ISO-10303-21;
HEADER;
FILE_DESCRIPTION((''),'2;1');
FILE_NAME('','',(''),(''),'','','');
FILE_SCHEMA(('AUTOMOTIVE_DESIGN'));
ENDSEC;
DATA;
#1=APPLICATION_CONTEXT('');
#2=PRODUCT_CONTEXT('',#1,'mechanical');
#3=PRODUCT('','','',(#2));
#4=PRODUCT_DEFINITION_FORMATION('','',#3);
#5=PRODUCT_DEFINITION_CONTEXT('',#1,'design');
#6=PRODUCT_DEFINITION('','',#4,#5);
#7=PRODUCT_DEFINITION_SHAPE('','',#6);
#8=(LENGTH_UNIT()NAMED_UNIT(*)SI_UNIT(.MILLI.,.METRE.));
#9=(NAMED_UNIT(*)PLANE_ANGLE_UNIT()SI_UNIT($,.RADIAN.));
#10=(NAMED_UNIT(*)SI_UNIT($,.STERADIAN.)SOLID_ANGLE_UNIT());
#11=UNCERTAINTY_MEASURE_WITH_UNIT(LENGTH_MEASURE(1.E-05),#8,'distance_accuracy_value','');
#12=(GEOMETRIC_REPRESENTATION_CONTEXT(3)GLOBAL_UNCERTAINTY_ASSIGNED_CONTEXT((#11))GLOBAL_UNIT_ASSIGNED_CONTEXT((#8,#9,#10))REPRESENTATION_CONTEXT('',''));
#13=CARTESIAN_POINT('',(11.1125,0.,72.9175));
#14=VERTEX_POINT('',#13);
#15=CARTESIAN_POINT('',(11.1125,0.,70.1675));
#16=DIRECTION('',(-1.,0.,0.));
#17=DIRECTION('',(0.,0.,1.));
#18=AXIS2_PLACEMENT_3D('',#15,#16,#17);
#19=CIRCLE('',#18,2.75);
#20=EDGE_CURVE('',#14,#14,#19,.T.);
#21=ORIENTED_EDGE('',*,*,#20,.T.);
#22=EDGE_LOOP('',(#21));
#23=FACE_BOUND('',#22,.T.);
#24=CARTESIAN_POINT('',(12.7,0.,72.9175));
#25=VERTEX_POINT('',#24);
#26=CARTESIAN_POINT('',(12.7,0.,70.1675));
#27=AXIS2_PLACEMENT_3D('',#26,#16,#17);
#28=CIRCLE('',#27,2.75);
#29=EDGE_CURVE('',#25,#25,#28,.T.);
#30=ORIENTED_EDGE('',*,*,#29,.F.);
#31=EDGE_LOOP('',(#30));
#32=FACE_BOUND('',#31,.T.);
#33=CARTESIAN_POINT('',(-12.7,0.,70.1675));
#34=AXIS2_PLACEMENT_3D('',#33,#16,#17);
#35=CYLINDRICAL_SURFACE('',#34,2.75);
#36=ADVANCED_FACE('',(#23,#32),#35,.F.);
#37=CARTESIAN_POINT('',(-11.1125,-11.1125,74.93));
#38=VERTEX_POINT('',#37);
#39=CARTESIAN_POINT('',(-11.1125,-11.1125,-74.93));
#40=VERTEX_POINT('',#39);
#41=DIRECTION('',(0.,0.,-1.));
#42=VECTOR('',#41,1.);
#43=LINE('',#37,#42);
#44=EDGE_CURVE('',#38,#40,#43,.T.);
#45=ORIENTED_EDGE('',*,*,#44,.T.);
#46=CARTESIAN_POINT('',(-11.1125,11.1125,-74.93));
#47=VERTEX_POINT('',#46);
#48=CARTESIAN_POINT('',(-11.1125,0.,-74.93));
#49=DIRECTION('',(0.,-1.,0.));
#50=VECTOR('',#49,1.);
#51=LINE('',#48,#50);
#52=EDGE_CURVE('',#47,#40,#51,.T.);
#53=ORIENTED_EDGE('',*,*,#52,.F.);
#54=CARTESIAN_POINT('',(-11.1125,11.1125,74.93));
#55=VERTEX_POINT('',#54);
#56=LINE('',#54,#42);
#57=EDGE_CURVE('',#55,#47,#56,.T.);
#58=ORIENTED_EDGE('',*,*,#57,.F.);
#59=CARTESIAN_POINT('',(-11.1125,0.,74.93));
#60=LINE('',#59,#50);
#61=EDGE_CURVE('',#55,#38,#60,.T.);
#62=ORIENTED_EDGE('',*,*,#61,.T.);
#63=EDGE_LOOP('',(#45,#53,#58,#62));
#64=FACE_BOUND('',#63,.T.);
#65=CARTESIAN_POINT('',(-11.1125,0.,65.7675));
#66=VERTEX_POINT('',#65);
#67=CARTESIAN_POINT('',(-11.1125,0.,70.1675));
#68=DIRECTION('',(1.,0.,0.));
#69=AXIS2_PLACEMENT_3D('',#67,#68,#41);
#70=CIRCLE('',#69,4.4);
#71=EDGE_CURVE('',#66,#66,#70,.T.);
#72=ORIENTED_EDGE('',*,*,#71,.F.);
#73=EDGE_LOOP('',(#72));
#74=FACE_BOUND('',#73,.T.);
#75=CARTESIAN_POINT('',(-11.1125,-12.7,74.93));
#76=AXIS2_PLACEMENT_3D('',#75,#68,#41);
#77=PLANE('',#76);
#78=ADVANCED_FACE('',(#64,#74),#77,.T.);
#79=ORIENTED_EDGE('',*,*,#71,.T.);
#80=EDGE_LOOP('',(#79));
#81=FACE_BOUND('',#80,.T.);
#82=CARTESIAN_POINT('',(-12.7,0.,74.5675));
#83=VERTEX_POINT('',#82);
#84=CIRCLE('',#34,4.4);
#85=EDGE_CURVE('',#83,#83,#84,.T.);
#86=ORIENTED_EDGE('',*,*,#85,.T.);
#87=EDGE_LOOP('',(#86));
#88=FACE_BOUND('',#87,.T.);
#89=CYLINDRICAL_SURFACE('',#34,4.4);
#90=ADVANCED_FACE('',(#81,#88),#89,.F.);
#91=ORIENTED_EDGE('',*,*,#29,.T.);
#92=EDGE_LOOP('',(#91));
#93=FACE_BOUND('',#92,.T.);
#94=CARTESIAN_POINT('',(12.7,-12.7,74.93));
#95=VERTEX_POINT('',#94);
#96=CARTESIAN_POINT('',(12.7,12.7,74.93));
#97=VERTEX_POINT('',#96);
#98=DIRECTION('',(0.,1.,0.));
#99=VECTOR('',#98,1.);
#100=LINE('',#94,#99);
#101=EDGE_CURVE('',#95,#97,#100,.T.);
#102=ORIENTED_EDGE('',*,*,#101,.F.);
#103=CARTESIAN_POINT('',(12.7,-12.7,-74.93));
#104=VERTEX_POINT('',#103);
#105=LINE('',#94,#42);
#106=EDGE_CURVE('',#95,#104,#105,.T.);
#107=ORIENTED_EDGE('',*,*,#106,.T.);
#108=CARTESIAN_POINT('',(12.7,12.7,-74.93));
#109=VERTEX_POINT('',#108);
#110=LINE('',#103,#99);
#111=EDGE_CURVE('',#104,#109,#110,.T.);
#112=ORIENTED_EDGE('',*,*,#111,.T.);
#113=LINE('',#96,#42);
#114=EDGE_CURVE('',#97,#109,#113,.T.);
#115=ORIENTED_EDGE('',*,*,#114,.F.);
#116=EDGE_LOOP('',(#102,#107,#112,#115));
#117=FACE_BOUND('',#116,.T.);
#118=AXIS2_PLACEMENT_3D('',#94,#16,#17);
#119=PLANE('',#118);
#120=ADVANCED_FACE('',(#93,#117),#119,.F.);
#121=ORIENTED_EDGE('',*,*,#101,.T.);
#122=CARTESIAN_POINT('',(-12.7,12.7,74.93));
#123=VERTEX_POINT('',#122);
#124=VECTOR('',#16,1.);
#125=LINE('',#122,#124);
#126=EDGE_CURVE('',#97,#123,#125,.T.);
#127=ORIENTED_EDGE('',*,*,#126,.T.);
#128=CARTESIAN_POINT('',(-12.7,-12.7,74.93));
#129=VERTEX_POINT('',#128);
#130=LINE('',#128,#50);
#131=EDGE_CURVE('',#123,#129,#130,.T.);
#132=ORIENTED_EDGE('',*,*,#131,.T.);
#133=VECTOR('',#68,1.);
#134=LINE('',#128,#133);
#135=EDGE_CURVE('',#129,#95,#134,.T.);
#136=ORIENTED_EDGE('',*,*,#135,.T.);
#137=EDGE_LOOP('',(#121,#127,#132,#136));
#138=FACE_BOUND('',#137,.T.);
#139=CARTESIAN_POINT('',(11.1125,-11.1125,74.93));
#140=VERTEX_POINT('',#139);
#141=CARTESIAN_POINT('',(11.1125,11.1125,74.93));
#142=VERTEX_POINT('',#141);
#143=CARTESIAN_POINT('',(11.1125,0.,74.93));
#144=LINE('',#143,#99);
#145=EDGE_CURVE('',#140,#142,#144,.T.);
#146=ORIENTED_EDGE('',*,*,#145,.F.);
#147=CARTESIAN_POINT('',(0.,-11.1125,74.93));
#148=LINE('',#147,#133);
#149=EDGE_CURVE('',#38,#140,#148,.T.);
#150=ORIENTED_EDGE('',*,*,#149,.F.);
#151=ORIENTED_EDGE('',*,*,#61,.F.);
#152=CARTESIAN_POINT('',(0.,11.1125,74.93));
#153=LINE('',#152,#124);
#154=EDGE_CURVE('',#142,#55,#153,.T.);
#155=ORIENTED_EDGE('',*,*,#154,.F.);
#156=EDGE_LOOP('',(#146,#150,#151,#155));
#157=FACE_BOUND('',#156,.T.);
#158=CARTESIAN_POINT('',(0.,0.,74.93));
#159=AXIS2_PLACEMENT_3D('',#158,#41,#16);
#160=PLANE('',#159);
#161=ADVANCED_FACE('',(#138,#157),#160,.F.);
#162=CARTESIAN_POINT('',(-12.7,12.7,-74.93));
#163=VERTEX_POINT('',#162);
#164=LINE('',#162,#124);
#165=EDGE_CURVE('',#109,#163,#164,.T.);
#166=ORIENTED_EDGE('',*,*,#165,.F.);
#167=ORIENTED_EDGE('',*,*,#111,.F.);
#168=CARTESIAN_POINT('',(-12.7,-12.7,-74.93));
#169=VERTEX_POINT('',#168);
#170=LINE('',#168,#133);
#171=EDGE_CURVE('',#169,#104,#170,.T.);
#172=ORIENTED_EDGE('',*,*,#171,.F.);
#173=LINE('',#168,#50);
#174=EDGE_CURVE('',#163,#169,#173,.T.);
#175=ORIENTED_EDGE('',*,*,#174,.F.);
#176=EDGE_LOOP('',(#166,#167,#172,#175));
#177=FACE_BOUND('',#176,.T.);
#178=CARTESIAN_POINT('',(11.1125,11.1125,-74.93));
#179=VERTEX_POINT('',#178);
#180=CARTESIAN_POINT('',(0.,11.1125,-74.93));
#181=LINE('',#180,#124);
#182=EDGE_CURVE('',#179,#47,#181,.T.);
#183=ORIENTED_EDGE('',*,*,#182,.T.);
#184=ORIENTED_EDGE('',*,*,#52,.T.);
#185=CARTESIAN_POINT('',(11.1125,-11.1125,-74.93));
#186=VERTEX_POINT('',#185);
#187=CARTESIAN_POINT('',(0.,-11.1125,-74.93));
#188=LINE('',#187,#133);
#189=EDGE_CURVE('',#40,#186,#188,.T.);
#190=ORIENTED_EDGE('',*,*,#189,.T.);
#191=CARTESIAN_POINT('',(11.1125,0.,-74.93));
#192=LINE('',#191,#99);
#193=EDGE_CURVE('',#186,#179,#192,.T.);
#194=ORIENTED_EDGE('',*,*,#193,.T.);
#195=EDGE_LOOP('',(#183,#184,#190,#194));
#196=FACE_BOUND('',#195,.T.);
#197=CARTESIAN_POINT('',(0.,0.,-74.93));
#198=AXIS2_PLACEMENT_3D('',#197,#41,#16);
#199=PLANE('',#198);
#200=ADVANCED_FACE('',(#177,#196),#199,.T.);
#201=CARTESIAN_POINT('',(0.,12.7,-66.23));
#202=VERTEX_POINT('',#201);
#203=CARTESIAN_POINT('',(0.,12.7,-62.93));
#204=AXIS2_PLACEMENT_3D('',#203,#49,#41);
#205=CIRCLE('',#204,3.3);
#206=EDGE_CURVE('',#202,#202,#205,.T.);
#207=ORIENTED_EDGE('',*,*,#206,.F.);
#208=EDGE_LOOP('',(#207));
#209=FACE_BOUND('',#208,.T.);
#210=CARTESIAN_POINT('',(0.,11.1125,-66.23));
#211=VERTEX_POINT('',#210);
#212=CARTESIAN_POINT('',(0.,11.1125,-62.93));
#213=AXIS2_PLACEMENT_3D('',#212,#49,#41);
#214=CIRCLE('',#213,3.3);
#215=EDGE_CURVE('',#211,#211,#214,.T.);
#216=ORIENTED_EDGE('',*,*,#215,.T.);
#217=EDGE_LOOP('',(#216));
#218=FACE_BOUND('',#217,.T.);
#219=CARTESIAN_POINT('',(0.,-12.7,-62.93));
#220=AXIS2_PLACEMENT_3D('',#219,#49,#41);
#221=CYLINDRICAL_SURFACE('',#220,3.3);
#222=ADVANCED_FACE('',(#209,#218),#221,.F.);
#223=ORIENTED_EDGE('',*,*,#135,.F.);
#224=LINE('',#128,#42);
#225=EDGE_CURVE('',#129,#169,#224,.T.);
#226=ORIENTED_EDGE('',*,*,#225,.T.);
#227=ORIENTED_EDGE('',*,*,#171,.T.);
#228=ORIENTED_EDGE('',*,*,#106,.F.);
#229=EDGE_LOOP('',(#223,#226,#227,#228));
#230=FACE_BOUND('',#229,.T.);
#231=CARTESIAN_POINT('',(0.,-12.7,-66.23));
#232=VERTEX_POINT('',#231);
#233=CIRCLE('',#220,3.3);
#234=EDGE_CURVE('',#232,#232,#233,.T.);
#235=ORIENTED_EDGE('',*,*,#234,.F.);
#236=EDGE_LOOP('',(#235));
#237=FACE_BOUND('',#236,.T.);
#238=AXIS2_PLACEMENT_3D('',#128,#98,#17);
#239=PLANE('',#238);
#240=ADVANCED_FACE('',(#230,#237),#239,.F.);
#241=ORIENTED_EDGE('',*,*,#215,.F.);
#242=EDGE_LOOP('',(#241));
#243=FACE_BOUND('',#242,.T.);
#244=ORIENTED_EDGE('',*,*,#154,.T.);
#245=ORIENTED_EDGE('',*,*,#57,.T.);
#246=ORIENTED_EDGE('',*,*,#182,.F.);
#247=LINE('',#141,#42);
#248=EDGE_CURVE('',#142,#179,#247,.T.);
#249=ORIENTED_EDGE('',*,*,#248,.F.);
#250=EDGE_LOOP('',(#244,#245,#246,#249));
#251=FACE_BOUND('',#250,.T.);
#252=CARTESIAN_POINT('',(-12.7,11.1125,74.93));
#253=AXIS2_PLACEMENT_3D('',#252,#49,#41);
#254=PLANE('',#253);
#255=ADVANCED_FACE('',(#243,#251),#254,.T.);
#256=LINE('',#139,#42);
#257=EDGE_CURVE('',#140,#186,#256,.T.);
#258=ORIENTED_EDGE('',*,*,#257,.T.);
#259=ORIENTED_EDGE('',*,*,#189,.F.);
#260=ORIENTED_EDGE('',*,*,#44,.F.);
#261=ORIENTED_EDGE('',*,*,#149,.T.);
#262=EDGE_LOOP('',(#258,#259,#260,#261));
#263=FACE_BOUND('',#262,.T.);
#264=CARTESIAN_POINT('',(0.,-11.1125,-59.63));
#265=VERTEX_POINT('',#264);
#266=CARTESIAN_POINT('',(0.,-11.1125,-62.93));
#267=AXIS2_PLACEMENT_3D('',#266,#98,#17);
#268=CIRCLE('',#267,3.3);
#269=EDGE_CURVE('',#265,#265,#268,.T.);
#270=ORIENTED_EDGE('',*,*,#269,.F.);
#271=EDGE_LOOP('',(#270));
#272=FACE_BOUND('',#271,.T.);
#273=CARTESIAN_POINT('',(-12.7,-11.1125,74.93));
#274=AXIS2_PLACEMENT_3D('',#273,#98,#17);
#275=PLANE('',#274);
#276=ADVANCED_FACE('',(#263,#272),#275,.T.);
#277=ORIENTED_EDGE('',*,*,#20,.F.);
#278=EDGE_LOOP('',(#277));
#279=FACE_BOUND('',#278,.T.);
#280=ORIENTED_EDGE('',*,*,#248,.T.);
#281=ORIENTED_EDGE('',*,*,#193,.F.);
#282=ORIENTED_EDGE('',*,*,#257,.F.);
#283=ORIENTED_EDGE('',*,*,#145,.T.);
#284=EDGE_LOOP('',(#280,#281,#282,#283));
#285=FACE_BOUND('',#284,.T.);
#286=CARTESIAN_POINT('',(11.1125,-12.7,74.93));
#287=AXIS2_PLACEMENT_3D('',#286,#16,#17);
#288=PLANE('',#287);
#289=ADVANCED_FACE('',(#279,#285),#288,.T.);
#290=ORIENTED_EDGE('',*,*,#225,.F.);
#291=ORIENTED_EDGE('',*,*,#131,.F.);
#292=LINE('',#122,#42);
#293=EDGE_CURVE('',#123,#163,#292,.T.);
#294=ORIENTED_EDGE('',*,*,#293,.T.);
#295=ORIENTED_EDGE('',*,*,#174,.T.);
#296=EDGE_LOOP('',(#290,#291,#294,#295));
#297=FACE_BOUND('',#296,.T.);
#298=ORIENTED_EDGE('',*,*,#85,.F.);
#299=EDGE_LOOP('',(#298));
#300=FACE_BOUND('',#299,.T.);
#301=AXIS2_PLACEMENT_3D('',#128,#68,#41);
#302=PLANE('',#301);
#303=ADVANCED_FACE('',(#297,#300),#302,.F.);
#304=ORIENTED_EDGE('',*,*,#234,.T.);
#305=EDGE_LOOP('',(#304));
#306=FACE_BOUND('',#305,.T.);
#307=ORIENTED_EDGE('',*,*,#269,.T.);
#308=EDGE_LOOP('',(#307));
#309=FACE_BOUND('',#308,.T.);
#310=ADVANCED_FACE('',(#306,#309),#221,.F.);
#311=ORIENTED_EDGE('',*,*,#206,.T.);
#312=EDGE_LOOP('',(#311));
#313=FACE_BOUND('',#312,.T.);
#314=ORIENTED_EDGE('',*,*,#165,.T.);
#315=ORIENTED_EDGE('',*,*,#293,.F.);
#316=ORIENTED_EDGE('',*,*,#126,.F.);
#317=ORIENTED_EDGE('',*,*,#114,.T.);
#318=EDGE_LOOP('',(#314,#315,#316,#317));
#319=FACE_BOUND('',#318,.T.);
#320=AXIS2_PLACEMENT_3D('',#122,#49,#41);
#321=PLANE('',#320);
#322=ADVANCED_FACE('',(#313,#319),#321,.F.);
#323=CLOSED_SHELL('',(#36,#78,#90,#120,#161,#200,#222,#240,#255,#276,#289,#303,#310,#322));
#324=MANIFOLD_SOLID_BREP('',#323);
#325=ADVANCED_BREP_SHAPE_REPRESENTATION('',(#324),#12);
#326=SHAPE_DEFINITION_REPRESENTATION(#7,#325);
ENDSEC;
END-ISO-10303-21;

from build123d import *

# Parameters (mm, degrees)
SKETCH1_W                      = 25.4
SKETCH1_H                      = 25.4
BOSS_EXTRUDE1_DEPTH            = 74.93
SHELL1_T                       = -1.5875
CBORE_FOR_M5_SHCS1_D           = 5.5
CBORE_FOR_M5_SHCS1_CBORE_D     = 8.8
CBORE_FOR_M5_SHCS1_CBORE_DEPTH = 5
M6_CLEARANCE_HOLE1_D           = 6.6


with BuildPart() as part:
    # Sketch1 → Boss-Extrude1 (new body, symmetric)
    with BuildSketch(Plane.XY):
        Rectangle(SKETCH1_W, SKETCH1_H)
    extrude(amount=BOSS_EXTRUDE1_DEPTH, both=True)

    # Shell1
    shell1_openings = [part.faces().sort_by_distance(p)[0] for p in [
        (0, 0, 74.93),
        (0, 0, -74.93),
    ]]
    offset(amount=SHELL1_T, openings=shell1_openings, kind=Kind.INTERSECTION)

    # CBORE for M5 SHCS1 (through all)
    with Locations(Plane.ZY.offset(12.7)):
        with Locations((70.1675, 0)):
            CounterBoreHole(CBORE_FOR_M5_SHCS1_D / 2, CBORE_FOR_M5_SHCS1_CBORE_D / 2, CBORE_FOR_M5_SHCS1_CBORE_DEPTH)

    # M6 Clearance Hole1 (through all)
    with Locations(Plane(origin=(0, -12.7, 0), x_dir=(-1, 0, 0), z_dir=(0, -1, 0))):
        with Locations((0, 62.93)):
            Hole(M6_CLEARANCE_HOLE1_D / 2)


solid = part.part
